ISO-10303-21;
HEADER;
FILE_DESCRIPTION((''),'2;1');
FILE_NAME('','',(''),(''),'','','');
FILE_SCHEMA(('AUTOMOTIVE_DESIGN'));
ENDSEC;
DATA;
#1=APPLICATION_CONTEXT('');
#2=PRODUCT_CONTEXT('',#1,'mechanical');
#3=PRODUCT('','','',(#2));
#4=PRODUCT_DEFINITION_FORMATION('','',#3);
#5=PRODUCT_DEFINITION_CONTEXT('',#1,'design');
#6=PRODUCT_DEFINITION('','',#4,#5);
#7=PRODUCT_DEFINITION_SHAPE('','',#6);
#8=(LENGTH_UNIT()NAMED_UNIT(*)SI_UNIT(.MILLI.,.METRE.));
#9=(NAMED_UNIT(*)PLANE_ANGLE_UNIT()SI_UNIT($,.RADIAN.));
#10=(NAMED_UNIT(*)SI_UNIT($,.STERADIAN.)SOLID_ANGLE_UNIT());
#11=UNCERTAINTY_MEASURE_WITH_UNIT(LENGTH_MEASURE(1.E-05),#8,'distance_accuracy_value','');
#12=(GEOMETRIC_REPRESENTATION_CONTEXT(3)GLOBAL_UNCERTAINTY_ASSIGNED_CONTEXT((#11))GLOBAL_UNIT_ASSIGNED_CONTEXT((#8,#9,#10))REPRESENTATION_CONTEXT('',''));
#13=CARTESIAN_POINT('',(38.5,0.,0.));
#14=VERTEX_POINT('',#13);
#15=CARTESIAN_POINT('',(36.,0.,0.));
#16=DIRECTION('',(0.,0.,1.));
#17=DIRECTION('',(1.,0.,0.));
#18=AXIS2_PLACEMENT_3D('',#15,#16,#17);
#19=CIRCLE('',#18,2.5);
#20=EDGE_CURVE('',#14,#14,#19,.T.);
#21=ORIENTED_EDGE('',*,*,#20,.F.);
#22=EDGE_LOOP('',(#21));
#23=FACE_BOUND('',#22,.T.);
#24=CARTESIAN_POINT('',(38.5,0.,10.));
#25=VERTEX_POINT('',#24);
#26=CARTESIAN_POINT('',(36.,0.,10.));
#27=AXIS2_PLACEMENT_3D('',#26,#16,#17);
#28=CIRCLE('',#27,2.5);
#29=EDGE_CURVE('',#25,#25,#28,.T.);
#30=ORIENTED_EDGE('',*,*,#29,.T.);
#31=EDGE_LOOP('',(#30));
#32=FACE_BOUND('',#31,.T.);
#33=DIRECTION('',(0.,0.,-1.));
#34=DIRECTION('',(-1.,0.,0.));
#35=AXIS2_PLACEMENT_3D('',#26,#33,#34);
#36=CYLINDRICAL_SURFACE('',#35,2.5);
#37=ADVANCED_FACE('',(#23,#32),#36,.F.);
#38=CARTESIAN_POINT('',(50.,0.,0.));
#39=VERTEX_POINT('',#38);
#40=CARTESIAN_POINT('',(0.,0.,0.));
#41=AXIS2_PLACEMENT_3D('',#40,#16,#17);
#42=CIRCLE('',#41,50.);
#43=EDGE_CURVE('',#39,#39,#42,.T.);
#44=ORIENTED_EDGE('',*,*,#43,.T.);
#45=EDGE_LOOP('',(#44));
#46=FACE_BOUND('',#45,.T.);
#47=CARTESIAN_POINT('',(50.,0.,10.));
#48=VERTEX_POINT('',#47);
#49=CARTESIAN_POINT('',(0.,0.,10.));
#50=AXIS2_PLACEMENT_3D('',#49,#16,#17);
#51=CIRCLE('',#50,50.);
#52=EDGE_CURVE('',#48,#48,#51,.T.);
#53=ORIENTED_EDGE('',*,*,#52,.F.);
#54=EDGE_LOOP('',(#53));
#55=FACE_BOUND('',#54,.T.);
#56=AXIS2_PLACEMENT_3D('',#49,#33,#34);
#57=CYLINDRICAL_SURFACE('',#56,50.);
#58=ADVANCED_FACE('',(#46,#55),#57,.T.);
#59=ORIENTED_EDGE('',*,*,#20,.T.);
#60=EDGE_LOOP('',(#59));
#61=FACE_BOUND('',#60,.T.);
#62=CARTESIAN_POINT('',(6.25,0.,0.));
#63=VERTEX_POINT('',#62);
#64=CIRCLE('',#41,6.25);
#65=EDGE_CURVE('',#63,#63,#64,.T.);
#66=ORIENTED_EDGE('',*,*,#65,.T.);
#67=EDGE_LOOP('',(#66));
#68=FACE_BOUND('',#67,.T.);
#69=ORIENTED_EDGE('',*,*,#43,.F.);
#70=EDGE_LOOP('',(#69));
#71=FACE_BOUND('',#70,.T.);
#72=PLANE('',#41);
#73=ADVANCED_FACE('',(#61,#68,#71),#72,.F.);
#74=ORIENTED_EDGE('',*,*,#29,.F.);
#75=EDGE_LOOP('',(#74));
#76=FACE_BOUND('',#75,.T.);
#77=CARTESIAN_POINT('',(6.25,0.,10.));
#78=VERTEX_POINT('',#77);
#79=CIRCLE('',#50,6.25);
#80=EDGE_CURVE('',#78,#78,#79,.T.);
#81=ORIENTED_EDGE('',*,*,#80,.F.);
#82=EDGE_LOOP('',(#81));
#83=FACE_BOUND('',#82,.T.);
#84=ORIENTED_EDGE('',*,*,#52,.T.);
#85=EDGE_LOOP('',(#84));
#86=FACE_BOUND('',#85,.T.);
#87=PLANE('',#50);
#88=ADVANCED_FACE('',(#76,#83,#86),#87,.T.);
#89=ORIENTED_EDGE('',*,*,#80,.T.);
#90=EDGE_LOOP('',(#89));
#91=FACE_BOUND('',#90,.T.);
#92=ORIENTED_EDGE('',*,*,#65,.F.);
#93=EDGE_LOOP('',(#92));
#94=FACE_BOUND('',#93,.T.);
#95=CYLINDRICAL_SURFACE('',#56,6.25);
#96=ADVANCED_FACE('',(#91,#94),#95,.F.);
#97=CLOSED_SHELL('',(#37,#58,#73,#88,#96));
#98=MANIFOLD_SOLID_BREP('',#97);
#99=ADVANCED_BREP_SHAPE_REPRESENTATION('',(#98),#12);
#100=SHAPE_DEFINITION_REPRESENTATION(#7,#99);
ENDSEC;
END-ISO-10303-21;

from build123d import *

# Parameters (mm, degrees)
SKETCH_1_R      = 50
SKETCH_1_R_2    = 6.25
SKETCH_1_R_3    = 2.5
EXTRUDE_1_DEPTH = 10


with BuildPart() as part:
    # 草图1 → 凸台-拉伸1 (new body)
    with BuildSketch(Plane.XY):
        Circle(SKETCH_1_R)
        Circle(SKETCH_1_R_2, mode=Mode.SUBTRACT)
        with Locations((36, 0)):
            Circle(SKETCH_1_R_3, mode=Mode.SUBTRACT)
    extrude(amount=EXTRUDE_1_DEPTH)


solid = part.part
